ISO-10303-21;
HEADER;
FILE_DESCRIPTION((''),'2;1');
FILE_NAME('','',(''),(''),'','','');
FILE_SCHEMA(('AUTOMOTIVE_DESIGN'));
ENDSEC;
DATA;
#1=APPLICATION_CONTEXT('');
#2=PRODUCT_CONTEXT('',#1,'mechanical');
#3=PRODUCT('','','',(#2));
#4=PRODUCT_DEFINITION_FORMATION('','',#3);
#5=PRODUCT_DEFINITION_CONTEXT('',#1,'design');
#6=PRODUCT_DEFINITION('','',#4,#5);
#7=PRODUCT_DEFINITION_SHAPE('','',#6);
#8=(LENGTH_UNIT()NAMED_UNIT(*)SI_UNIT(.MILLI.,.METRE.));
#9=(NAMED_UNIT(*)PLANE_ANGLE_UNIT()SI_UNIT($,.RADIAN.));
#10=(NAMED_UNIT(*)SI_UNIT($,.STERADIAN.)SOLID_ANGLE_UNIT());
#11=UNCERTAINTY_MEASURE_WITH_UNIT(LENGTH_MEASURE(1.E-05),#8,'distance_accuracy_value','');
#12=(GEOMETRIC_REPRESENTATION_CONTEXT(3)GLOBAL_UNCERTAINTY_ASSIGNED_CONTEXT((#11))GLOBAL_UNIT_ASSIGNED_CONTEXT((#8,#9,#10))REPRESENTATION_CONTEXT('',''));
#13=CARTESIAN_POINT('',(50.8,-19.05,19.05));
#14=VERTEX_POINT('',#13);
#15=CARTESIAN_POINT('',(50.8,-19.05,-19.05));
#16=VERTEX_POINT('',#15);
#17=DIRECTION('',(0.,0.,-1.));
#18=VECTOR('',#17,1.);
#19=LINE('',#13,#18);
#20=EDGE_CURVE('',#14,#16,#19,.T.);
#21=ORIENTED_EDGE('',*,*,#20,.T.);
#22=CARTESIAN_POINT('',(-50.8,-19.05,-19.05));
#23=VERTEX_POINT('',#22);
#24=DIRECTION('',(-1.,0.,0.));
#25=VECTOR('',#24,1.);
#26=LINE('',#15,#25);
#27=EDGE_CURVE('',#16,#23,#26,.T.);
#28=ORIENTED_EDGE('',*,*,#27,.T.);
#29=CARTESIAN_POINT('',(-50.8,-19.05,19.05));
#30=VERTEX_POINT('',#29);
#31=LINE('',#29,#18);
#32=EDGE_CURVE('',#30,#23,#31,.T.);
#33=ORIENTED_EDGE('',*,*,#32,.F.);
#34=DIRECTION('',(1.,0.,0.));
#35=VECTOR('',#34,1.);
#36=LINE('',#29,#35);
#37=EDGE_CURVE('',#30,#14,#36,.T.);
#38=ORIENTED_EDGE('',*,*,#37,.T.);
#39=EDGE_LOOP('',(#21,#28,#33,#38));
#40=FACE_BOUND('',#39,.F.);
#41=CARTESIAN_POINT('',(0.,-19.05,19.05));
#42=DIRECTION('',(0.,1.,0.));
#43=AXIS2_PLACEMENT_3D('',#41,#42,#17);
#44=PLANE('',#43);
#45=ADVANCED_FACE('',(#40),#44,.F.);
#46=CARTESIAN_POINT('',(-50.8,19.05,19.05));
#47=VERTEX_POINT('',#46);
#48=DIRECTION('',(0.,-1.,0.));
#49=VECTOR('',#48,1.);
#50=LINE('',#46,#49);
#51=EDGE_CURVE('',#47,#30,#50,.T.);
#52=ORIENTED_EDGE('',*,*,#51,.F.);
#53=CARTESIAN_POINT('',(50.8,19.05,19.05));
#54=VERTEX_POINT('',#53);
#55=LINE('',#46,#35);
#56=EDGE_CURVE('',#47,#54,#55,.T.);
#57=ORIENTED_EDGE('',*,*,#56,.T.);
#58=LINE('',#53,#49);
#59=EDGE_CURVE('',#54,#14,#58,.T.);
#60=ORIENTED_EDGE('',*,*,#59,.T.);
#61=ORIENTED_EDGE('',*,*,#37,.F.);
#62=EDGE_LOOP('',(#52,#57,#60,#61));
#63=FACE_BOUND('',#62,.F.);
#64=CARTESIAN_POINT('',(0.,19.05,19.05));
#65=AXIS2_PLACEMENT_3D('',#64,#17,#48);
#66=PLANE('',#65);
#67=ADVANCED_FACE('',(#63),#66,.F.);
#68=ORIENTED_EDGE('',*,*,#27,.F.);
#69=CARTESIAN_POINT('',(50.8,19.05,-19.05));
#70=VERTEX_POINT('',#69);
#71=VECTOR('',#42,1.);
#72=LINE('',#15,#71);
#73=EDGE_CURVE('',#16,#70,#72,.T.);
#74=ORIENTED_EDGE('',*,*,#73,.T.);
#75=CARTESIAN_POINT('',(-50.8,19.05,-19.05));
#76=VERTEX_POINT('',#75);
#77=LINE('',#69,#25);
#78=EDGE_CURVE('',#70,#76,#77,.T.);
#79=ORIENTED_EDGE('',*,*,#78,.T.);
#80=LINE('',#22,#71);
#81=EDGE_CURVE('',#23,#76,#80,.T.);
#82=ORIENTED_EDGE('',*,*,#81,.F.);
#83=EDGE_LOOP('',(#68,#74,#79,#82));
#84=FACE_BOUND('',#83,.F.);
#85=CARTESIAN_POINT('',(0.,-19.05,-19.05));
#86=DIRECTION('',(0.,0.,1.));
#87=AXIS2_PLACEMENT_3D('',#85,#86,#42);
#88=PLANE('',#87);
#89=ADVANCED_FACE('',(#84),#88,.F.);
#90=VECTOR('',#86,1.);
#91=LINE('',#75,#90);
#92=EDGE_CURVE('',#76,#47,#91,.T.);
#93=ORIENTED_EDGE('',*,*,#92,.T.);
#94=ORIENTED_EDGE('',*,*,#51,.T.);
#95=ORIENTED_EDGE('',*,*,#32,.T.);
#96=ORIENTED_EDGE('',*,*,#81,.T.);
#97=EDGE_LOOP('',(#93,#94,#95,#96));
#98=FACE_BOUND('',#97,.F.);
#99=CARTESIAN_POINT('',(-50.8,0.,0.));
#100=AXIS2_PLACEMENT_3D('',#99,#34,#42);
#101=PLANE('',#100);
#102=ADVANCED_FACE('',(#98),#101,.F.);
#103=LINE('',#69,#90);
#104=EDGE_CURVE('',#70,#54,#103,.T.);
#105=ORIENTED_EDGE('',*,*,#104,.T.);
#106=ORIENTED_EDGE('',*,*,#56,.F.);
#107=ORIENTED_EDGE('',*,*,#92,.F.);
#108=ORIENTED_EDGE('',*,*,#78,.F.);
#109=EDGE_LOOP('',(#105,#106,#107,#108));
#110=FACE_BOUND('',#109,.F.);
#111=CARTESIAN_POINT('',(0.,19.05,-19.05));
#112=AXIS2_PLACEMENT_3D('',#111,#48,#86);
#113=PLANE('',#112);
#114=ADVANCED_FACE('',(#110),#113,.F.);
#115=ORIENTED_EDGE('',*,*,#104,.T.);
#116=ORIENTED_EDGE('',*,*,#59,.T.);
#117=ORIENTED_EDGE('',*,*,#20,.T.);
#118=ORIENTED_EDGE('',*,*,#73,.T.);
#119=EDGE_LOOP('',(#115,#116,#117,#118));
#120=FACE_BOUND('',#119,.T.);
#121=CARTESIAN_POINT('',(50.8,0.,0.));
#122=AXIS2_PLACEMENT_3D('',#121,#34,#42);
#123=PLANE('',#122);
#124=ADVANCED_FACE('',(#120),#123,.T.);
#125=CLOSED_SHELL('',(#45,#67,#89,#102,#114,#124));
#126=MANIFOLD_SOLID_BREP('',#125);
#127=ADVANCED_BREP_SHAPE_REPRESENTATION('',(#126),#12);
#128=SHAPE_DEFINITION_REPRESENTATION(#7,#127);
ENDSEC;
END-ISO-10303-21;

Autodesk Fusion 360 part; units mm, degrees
sketch "Sketch1" plane through (0, 0, 0) normal (1, 0, 0) x (0, 1, 0)
  line L0 (19.05, 19.05) -> (-19.05, 19.05)
  line L1 (-19.05, 19.05) -> (-19.05, -19.05)
  line L2 (-19.05, -19.05) -> (19.05, -19.05)
  line L3 (19.05, -19.05) -> (19.05, 19.05)
  line L4 (19.05, 19.05) -> (-19.05, -19.05) construction
  line L5 (-19.05, 19.05) -> (19.05, -19.05) construction
  dimension "d1" = 38.1
  dimension "d2" = 38.1
extrude "Extrude1" add sketch "Sketch1" along normal mid plane 101.6
